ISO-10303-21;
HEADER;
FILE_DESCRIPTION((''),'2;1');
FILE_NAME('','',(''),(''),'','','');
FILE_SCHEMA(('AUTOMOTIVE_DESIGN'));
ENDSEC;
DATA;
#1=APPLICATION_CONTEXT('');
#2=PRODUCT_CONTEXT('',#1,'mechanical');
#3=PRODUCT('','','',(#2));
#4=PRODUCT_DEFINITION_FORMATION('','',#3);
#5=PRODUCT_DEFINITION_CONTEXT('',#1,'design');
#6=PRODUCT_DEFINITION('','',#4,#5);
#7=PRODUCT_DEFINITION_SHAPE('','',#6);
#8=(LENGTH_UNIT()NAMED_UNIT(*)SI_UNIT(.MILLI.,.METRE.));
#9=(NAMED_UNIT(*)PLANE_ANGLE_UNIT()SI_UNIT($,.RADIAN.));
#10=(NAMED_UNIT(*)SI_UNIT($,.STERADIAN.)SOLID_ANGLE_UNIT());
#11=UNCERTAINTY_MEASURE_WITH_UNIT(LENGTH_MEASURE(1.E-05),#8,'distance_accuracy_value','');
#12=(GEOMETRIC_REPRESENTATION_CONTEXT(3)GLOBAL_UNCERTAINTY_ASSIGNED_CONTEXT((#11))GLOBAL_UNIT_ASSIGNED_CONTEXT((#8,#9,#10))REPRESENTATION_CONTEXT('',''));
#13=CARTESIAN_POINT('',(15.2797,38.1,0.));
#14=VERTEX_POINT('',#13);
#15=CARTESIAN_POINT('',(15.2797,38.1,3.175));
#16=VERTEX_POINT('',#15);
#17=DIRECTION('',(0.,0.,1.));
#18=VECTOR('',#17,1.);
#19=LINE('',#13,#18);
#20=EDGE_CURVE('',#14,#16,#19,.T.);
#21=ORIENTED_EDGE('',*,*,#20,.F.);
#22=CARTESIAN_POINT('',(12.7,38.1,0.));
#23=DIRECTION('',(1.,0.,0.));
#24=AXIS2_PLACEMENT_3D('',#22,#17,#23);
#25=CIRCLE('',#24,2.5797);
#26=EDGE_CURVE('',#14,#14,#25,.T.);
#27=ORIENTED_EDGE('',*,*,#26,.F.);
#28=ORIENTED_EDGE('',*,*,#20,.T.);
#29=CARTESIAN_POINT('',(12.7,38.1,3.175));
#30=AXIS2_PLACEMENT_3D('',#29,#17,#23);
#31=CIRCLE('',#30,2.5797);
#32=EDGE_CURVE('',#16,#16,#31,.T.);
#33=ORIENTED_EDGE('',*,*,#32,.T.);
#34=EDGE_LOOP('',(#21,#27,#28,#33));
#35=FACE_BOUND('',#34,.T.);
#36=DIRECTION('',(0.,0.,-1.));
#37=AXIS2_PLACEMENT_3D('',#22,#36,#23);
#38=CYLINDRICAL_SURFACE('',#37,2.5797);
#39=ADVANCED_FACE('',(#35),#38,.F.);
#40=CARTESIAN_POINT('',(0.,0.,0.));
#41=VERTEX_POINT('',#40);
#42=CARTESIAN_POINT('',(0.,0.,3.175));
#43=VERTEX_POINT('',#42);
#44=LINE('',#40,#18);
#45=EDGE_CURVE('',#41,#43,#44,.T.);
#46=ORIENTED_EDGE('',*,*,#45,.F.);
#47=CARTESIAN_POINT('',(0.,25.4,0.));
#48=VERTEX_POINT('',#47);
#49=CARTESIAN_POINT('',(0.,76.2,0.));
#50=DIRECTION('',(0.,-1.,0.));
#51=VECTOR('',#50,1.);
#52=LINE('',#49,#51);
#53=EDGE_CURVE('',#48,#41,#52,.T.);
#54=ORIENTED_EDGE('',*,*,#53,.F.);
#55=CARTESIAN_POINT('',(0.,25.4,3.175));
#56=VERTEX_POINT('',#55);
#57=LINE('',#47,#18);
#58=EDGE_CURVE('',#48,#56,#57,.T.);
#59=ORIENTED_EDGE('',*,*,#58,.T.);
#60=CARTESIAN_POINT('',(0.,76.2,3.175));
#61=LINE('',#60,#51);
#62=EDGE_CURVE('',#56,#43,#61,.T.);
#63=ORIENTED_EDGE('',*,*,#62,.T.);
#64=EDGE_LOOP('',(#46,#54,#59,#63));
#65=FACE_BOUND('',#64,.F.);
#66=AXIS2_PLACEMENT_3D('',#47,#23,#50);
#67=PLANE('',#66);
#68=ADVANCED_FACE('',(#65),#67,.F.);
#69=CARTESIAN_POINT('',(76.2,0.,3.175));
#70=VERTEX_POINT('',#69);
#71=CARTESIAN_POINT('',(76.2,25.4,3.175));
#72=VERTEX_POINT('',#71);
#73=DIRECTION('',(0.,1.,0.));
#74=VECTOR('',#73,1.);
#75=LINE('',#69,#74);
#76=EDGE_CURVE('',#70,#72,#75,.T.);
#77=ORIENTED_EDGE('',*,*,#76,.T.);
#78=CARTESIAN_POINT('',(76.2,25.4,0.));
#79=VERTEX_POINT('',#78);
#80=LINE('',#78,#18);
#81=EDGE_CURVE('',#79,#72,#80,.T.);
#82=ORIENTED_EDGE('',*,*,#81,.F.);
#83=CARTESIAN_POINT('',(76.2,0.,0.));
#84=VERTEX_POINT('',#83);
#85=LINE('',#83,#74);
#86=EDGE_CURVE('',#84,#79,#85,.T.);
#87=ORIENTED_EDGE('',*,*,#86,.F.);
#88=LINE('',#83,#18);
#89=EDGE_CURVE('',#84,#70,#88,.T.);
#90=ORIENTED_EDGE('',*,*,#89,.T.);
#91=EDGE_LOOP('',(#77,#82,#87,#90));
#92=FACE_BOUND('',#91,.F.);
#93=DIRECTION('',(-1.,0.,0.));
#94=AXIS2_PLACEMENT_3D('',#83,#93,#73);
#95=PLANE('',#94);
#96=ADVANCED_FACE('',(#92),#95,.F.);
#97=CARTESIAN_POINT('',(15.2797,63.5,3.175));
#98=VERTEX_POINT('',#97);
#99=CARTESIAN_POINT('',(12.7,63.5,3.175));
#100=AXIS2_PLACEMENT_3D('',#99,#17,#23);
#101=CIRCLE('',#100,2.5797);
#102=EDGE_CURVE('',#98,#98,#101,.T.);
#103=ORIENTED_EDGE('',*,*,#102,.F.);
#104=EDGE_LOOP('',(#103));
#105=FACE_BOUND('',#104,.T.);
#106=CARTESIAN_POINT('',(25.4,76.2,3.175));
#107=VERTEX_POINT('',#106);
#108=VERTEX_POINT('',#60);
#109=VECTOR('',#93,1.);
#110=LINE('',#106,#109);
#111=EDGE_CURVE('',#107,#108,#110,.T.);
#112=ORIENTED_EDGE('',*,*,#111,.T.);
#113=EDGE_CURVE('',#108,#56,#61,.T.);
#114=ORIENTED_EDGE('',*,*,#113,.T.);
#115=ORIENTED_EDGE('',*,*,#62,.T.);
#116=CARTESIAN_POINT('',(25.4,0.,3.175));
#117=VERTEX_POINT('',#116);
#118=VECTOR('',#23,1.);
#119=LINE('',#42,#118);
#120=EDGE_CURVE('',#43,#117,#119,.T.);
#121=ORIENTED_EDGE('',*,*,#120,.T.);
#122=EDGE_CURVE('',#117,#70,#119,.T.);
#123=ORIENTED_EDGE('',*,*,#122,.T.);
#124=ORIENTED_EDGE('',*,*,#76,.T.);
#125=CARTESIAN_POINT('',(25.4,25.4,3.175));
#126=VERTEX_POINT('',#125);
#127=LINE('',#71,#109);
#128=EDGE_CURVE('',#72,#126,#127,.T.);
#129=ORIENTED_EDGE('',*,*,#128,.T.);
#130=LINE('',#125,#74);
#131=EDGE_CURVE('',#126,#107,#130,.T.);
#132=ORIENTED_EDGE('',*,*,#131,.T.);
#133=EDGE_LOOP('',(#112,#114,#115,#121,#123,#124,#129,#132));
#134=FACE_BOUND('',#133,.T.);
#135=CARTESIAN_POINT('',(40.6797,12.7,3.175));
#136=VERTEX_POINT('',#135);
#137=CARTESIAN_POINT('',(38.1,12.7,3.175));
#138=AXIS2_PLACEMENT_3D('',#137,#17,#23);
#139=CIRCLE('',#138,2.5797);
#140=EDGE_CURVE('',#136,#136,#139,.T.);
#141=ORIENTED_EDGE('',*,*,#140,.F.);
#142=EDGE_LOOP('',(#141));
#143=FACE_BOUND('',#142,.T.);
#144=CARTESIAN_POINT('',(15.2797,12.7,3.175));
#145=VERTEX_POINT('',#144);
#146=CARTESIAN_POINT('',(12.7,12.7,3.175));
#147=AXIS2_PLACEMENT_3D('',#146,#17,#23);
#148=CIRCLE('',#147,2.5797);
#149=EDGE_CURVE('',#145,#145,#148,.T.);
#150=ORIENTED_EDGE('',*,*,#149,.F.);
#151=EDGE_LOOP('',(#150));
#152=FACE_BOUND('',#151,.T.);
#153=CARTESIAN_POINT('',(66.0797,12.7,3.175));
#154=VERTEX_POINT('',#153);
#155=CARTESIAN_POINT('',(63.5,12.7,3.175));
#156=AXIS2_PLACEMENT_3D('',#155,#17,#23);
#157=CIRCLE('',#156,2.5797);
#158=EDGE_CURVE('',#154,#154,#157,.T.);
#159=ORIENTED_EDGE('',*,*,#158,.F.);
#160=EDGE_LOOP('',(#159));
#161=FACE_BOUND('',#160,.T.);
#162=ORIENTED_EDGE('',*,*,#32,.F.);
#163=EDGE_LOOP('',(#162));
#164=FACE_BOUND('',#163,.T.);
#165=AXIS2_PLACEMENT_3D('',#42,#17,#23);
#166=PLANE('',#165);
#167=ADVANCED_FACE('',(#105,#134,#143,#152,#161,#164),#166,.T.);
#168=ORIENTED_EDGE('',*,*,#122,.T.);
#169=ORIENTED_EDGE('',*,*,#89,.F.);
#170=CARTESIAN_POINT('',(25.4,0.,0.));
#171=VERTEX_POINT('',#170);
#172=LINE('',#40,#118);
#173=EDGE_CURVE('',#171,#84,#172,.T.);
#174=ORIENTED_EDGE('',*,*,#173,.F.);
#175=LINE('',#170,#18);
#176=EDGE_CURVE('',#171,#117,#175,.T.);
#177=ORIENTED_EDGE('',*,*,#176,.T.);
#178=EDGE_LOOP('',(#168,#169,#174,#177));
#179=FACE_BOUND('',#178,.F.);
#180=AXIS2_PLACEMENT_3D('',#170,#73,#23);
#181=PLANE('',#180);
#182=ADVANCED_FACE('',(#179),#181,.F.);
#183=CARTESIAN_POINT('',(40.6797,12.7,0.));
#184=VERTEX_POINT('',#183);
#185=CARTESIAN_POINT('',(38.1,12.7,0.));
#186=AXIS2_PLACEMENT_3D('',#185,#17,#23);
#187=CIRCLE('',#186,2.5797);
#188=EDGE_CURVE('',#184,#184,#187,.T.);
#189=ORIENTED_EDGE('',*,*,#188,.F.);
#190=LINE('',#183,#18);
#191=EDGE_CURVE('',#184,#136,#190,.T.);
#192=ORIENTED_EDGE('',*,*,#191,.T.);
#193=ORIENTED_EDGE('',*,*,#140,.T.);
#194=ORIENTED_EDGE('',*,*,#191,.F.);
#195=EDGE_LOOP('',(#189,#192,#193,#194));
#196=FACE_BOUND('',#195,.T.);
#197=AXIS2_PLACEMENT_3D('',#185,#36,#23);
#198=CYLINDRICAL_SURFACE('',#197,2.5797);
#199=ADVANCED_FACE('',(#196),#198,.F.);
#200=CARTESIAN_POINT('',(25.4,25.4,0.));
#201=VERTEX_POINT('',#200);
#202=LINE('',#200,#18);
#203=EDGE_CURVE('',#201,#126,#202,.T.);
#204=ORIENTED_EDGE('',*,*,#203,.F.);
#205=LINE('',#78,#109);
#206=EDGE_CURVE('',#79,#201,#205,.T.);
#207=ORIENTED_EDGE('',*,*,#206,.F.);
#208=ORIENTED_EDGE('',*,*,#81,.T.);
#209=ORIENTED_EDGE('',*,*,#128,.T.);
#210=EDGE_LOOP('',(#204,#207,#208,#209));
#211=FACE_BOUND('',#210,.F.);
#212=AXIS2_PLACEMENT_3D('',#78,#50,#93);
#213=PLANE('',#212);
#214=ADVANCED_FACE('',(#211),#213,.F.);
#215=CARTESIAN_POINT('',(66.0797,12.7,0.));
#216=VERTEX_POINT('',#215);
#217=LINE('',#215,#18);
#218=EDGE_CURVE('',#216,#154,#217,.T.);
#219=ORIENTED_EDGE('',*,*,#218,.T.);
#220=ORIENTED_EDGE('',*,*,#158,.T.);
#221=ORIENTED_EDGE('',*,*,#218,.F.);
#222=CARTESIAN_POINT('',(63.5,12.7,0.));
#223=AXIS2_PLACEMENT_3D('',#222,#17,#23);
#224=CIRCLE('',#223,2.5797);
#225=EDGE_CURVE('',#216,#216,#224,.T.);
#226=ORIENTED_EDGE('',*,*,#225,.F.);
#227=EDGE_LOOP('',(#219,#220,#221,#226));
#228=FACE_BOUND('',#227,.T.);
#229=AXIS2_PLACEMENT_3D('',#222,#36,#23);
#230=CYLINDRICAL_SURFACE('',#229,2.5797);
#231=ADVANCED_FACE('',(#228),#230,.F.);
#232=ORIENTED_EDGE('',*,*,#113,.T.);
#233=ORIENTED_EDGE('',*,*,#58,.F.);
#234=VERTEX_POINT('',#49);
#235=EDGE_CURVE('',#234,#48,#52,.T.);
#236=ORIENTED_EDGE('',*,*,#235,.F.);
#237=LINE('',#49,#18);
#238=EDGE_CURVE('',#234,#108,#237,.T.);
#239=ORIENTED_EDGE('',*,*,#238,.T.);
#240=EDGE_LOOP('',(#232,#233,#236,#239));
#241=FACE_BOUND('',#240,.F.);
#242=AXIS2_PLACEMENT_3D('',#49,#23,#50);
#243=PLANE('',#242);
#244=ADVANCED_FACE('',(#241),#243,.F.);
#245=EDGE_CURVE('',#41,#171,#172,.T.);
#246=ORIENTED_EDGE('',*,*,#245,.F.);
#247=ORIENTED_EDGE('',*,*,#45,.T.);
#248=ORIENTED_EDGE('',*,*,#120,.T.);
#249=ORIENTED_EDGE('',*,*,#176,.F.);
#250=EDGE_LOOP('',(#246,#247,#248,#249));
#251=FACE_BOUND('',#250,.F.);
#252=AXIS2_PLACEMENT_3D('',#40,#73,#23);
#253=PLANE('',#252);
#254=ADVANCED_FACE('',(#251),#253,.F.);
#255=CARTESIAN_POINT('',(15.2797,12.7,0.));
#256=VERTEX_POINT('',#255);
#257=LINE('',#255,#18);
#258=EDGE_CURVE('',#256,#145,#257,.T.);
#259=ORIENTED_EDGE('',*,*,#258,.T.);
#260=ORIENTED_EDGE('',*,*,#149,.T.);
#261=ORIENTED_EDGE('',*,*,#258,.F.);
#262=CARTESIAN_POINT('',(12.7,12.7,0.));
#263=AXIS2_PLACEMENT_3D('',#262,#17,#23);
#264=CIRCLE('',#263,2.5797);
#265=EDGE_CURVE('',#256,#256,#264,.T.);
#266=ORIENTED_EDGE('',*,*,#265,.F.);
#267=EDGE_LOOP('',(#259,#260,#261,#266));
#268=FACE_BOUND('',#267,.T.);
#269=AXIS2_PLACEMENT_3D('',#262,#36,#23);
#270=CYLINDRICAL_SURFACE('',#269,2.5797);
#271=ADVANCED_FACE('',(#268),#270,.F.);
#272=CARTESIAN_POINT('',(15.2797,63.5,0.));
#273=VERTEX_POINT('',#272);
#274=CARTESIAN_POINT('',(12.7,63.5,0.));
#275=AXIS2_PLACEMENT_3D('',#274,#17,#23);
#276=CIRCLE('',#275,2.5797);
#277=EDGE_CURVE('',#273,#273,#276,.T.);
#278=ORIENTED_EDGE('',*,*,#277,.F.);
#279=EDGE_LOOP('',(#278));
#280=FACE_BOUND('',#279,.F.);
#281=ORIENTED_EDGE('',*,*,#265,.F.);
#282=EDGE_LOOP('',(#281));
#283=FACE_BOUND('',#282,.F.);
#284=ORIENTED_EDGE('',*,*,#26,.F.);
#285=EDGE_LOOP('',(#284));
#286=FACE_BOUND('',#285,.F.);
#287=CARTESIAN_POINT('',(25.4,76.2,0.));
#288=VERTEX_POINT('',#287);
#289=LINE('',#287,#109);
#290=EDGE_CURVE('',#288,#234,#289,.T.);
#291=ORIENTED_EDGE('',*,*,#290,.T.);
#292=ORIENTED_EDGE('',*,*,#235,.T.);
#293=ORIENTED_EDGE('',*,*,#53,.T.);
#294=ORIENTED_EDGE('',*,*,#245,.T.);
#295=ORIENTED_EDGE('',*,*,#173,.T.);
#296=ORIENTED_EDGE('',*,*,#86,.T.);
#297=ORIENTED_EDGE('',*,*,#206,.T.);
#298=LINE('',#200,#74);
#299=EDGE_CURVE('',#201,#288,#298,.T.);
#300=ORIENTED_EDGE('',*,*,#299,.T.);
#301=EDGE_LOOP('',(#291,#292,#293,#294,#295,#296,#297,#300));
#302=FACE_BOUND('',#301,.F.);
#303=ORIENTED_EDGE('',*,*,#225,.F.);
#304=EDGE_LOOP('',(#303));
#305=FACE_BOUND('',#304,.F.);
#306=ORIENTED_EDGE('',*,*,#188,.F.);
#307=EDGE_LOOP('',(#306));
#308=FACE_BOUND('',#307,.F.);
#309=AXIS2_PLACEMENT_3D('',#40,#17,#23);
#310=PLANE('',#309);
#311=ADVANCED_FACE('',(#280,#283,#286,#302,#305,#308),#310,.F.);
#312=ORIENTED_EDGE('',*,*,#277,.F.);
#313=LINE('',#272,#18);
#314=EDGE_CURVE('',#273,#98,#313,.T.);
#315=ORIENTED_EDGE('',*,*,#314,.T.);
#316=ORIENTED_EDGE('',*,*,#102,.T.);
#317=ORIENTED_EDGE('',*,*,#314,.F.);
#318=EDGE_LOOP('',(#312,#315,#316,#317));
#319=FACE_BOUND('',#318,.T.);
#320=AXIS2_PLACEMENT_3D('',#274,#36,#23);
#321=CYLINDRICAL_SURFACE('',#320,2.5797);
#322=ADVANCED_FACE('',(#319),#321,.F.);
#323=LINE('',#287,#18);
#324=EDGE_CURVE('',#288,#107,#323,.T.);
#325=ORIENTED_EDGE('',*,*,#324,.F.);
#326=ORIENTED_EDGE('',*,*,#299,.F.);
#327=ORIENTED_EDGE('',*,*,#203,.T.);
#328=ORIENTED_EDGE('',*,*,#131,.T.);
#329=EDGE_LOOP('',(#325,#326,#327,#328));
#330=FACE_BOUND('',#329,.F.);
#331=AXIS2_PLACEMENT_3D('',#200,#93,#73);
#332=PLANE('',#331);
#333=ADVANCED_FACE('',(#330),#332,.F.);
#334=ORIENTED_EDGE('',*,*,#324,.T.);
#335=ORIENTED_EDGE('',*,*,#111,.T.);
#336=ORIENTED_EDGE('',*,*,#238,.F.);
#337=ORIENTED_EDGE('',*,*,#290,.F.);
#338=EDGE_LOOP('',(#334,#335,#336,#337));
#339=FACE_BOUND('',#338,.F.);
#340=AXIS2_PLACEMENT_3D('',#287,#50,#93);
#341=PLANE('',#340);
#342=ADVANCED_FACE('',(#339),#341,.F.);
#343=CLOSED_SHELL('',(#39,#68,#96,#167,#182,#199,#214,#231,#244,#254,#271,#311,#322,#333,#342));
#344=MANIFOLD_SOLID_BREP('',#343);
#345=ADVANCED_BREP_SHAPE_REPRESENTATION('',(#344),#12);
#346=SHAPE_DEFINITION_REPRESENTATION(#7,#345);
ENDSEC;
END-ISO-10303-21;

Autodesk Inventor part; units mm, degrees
ref_plane "YZ Plane" through (0, 0, 0) normal (1, 0, 0) x (0, 1, 0)
ref_plane "XZ Plane" through (0, 0, 0) normal (0, 1, 0) x (-1, 0, 0)
ref_plane "XY Plane" through (0, 0, 0) normal (0, 0, 1) x (1, 0, 0)
sketch "Sketch1" plane through (0, 0, 0) normal (0, 0, 1) x (1, 0, 0)
  line L0 (0, 0) -> (25.4, 0)
  line L1 (25.4, 25.4) -> (25.4, 76.2)
  line L2 (25.4, 76.2) -> (0, 76.2)
  line L3 (0, 76.2) -> (0, 0)
  line L4 (0, 0) -> (76.2, 0)
  line L5 (76.2, 0) -> (76.2, 25.4)
  line L6 (76.2, 25.4) -> (25.4, 25.4)
  line L7 (0, 25.4) -> (0, 0)
  line L8 (12.7, 76.2) -> (12.7, 63.5) construction
  line L9 (12.7, 63.5) -> (12.7, 38.1) construction
  line L10 (12.7, 38.1) -> (12.7, 12.7) construction
  line L11 (12.7, 12.7) -> (38.1, 12.7) construction
  line L12 (38.1, 12.7) -> (63.5, 12.7) construction
  circle A0 centre (12.7, 63.5) radius 2.5797
  circle A1 centre (12.7, 38.1) radius 2.5797
  circle A2 centre (12.7, 12.7) radius 2.5797
  circle A3 centre (38.1, 12.7) radius 2.5797
  circle A4 centre (63.5, 12.7) radius 2.5797
  dimension "d0" = 25.4
  dimension "d1" = 76.2
  dimension "d2" = 76.2
  dimension "d3" = 25.4
  dimension "d4" = 12.7
  dimension "d5" = 25.4
  dimension "d6" = 25.4
  dimension "d7" = 25.4
  dimension "d8" = 25.4
  dimension "d9" = 5.1594
extrude "Extrusion1" add sketch "Sketch1" along normal blind 3.175
properties part number "L gusset 2"
